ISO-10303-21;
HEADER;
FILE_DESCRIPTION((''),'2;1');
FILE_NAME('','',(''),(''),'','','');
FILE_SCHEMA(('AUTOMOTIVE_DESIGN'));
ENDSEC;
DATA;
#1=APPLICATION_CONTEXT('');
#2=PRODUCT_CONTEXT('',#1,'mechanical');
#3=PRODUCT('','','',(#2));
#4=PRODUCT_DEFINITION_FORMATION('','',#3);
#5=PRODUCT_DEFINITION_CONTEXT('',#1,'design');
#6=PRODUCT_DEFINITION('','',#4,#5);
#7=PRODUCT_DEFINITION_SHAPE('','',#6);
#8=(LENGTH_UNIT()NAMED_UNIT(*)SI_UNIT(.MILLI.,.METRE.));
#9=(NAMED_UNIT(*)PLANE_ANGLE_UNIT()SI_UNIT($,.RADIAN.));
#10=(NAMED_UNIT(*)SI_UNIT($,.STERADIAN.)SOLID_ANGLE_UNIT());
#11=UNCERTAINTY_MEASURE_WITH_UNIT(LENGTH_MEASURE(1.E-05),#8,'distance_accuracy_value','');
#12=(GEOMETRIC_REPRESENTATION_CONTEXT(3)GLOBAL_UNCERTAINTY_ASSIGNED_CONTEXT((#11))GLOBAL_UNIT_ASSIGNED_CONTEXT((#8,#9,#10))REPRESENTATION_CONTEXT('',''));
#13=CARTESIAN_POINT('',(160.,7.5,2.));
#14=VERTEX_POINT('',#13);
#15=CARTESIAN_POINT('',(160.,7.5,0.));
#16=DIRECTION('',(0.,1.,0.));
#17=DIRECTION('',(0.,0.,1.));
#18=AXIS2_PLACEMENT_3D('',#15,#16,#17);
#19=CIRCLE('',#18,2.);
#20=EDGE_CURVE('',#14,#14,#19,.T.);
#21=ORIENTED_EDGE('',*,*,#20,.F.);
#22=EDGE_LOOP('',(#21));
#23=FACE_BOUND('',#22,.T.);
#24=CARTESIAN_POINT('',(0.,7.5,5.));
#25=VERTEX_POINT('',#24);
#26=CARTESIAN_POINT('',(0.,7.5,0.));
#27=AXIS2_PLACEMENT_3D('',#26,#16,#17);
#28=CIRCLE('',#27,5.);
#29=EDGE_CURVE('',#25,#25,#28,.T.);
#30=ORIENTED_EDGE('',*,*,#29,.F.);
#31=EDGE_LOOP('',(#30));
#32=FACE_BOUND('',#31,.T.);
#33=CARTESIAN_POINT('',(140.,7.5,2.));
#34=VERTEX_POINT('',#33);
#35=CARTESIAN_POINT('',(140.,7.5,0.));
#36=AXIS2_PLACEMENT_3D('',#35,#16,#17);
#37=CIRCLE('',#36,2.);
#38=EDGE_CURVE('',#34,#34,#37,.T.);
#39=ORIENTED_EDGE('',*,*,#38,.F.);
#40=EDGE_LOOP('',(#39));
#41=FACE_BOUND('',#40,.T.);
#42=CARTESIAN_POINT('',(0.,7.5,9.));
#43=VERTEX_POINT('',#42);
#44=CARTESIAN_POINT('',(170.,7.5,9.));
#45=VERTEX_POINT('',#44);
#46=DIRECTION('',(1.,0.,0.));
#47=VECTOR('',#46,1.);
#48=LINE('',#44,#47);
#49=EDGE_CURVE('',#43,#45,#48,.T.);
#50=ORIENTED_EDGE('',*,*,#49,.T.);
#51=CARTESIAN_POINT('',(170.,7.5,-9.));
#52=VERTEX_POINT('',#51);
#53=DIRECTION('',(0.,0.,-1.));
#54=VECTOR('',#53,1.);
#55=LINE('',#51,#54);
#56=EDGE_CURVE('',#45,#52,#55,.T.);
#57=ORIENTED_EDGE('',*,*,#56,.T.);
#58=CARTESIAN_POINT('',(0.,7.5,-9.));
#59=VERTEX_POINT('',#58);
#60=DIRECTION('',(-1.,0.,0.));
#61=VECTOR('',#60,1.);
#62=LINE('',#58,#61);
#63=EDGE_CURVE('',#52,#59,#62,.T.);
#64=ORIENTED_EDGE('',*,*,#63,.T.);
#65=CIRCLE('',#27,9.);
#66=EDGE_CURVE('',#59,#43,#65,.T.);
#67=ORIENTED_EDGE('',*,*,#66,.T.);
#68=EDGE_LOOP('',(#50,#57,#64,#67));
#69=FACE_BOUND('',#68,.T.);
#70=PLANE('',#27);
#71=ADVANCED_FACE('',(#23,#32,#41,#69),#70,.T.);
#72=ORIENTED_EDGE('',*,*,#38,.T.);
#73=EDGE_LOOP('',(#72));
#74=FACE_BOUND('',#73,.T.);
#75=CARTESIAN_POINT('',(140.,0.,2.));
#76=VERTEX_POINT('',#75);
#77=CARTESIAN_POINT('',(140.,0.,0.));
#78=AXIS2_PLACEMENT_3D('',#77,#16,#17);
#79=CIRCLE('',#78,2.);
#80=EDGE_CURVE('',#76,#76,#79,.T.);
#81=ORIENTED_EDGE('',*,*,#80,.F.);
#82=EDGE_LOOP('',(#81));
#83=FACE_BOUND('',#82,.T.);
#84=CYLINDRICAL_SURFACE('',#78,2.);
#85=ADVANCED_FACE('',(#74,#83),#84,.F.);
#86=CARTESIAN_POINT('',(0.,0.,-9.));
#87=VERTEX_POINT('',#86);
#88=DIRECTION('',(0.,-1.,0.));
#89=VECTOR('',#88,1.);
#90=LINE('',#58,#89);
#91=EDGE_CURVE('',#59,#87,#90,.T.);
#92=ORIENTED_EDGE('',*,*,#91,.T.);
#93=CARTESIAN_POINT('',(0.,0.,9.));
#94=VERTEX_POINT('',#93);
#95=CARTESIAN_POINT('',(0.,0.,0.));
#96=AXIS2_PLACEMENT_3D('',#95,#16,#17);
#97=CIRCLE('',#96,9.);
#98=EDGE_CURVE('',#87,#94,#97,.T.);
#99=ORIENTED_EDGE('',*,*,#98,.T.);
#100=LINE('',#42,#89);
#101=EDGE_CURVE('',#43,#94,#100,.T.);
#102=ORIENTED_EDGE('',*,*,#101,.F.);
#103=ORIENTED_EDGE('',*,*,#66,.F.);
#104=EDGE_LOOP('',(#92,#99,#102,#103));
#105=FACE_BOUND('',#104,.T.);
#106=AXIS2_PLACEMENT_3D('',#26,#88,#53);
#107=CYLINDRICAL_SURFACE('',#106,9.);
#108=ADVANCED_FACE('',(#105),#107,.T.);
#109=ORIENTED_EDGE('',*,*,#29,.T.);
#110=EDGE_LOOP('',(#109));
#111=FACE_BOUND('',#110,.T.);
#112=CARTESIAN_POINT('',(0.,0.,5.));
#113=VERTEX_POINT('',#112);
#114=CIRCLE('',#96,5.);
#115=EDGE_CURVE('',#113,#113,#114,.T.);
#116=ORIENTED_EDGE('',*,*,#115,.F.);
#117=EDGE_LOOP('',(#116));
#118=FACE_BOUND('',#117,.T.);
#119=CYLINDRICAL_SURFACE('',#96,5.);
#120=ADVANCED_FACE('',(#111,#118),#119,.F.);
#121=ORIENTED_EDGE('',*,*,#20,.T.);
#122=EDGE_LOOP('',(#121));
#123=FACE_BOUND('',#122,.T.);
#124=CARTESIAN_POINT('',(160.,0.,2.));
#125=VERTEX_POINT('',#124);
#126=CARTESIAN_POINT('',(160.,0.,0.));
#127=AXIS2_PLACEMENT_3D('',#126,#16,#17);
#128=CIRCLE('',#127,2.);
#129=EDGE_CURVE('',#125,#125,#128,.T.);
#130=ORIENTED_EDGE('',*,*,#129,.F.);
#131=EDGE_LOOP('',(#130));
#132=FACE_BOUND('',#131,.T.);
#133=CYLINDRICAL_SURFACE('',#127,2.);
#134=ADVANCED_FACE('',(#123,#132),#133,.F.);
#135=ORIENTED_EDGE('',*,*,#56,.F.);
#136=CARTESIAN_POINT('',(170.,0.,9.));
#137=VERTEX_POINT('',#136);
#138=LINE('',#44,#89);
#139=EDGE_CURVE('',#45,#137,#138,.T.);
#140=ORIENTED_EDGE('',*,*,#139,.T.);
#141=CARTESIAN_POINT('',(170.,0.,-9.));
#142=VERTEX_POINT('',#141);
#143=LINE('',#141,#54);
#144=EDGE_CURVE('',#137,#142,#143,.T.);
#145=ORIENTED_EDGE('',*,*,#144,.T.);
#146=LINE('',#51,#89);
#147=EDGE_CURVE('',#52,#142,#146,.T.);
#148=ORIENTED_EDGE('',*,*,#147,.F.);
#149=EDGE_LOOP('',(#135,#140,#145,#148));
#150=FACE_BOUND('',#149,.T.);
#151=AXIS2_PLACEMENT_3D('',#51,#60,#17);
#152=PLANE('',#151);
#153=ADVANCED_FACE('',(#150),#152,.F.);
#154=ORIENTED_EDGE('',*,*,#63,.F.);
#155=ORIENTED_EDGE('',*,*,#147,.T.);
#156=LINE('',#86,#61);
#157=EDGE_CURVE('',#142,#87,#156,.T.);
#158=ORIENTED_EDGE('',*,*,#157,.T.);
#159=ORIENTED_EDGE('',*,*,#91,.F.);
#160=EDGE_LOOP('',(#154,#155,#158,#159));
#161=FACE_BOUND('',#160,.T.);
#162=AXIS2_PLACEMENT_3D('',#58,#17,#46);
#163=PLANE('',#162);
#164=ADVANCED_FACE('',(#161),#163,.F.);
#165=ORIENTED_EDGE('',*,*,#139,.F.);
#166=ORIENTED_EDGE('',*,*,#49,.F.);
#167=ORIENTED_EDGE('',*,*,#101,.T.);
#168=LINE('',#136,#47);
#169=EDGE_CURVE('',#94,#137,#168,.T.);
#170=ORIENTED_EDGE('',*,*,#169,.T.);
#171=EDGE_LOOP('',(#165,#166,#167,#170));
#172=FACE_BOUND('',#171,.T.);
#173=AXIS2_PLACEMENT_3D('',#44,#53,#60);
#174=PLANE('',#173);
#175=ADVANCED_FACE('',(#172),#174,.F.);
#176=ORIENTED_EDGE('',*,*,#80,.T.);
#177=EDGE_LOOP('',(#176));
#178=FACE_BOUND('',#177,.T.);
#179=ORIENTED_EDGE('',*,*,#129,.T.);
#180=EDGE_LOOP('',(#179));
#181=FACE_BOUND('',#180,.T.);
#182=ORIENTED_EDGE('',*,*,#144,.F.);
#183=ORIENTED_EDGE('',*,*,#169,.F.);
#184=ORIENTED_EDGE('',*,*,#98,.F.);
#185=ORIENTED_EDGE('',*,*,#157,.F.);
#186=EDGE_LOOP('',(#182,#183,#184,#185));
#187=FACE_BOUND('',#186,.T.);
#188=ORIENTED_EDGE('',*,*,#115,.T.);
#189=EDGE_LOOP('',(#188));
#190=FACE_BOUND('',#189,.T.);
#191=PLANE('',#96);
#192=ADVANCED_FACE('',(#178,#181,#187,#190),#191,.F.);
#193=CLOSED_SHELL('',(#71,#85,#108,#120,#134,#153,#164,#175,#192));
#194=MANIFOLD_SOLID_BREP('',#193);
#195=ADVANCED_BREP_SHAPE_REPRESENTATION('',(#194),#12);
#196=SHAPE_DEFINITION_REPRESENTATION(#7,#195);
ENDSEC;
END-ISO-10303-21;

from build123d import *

# Parameters (mm, degrees)
BOSS_EXTRUDE1_DEPTH = 7.5
SKETCH2_R           = 5
SKETCH2_R_2         = 2
CUT_EXTRUDE1_DEPTH  = 171.403198327


with BuildPart() as part:
    # Sketch1 → Boss-Extrude1 (new body)
    with BuildSketch(Plane(origin=(0, 0, 0), x_dir=(1, 0, 0), z_dir=(0, 1, 0))):
        with BuildLine():
            Line((0, 9), (170, 9))
            Line((170, 9), (170, -9))
            Line((170, -9), (0, -9))
            ThreePointArc((0, -9), (-9, 0), (0, 9))
        make_face()
    extrude(amount=BOSS_EXTRUDE1_DEPTH)

    # Sketch2 → Cut-Extrude1 (cut, through all)
    with BuildSketch(Plane(origin=(0, 7.5, 0), x_dir=(1, 0, 0), z_dir=(0, 1, 0))):
        with Locations(Location((0, 0, 0), (0, 0, 270))):
            Circle(SKETCH2_R)
        with Locations(Location((160, 0, 0), (0, 0, 270))):
            Circle(SKETCH2_R_2)
        with Locations(Location((140, 0, 0), (0, 0, 270))):
            Circle(SKETCH2_R_2)
    extrude(amount=-CUT_EXTRUDE1_DEPTH, mode=Mode.SUBTRACT)


solid = part.part
